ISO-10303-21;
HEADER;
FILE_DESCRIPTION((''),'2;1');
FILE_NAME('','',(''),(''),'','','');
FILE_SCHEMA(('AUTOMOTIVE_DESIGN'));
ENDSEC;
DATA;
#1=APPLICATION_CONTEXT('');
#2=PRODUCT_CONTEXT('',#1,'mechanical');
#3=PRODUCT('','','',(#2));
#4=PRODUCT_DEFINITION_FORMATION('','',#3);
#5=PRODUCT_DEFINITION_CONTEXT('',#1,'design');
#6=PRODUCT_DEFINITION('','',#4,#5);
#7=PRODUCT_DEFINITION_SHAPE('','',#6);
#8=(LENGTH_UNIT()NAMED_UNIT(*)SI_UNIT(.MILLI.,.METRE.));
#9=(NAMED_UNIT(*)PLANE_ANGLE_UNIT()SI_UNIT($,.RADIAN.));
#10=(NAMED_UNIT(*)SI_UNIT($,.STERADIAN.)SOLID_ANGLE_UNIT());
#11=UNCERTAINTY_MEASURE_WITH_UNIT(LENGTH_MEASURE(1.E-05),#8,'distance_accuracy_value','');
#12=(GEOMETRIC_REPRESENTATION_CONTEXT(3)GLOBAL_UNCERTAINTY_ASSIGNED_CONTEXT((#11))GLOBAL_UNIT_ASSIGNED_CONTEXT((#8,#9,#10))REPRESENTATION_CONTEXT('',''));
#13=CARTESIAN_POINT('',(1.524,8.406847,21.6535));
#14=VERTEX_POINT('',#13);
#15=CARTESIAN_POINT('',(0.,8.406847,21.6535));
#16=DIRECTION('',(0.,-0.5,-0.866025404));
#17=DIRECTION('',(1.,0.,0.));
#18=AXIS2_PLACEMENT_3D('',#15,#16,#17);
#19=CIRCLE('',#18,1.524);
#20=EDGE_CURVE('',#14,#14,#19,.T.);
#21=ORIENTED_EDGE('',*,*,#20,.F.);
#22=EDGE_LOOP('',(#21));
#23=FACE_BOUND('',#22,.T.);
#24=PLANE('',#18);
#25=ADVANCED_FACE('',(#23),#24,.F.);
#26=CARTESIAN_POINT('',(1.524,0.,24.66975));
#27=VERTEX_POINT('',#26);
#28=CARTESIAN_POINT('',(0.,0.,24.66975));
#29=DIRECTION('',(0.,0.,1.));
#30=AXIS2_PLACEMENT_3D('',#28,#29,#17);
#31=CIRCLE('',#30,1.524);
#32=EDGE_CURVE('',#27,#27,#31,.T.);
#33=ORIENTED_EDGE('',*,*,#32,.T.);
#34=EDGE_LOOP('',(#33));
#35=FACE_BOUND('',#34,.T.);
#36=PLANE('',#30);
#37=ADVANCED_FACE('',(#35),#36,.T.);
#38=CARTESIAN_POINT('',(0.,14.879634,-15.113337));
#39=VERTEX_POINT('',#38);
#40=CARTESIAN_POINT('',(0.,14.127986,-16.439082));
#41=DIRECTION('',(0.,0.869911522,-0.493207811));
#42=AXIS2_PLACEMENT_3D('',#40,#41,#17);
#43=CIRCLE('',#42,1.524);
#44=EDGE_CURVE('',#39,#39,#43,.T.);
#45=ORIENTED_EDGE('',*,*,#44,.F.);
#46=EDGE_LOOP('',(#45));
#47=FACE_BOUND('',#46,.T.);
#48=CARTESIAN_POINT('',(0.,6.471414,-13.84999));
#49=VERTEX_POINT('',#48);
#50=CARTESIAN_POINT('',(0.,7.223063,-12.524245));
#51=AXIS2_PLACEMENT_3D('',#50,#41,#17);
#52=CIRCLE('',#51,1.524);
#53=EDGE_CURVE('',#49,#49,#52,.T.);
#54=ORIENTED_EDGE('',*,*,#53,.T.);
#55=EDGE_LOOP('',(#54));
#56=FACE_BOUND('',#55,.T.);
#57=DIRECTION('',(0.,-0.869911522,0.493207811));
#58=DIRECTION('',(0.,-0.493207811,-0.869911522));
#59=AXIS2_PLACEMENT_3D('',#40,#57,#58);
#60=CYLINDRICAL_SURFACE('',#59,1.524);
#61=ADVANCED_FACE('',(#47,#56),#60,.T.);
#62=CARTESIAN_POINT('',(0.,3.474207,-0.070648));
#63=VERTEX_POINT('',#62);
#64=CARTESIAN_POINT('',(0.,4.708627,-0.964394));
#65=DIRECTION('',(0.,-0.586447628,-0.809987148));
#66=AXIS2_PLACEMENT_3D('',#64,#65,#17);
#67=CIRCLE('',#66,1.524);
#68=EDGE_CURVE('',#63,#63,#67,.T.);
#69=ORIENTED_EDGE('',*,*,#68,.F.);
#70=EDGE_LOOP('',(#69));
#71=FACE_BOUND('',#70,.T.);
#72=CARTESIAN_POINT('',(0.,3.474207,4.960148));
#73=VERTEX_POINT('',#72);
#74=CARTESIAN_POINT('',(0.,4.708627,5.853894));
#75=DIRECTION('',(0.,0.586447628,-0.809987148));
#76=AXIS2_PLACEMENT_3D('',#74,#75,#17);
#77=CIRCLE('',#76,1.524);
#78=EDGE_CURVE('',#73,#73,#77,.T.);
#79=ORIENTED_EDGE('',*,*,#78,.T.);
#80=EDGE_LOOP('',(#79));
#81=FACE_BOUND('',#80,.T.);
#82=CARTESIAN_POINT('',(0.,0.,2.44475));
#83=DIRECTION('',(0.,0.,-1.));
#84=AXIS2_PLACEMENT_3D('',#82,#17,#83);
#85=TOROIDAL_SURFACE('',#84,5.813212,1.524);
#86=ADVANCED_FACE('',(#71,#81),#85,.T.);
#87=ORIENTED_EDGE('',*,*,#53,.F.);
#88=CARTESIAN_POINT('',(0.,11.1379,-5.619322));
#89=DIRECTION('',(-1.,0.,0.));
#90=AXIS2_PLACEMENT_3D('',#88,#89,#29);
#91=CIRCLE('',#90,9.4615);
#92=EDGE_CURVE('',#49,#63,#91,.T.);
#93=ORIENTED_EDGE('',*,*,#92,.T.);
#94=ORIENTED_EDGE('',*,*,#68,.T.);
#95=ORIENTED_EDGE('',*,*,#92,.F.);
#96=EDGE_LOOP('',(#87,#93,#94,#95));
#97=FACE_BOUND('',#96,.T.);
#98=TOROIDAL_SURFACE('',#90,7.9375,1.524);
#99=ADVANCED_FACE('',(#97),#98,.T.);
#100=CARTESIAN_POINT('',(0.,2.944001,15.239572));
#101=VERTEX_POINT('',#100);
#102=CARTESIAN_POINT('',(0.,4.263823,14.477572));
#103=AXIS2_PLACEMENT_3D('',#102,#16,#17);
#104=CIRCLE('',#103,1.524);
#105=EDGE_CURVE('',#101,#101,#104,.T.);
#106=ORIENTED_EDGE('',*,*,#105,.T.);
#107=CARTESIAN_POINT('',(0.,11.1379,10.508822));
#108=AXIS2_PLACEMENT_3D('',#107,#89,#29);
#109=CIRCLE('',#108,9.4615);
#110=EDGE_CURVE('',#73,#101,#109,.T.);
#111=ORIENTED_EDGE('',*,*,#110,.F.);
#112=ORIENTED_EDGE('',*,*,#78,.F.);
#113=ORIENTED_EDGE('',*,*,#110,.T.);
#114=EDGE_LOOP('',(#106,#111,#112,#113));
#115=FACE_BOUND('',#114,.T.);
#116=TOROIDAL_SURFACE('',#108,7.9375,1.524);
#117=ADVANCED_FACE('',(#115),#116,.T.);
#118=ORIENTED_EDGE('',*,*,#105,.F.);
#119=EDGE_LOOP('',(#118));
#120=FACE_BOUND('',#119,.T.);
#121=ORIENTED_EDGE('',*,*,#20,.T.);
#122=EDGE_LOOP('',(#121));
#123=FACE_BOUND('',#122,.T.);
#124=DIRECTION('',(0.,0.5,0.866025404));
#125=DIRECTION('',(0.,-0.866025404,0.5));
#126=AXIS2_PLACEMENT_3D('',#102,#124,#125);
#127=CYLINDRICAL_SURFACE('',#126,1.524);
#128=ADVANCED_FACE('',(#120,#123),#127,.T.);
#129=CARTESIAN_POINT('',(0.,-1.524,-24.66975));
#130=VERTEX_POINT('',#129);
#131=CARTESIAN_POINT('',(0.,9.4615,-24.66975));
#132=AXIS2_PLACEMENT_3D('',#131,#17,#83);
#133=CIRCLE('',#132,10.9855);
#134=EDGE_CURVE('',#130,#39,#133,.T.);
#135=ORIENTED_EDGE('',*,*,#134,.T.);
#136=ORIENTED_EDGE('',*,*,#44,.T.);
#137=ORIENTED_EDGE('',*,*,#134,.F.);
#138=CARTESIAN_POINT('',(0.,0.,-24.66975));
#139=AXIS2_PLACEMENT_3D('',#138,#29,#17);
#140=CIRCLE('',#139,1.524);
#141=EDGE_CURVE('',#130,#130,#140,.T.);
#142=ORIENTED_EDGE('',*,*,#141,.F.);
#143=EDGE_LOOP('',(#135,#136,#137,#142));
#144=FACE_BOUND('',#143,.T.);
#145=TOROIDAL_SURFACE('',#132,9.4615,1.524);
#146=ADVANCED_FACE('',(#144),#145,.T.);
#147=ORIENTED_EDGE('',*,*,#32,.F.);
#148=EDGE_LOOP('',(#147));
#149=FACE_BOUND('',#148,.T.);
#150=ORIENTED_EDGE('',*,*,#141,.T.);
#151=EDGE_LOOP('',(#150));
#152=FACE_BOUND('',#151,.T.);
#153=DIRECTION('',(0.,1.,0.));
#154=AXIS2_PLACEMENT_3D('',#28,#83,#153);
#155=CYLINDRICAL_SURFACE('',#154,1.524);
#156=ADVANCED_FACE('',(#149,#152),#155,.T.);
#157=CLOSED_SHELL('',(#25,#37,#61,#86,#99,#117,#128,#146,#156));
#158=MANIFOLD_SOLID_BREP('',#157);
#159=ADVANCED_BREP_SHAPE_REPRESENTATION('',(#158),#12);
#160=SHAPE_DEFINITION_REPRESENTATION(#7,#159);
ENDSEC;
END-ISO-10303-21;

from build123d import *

# Parameters (mm, degrees)
SKETCH2_R = 1.524


with BuildPart() as part:
    # Sweep1: sweep along a path in Sketch3
    with BuildLine(Plane(origin=(0, 0, 0), x_dir=(0, 0, -1), z_dir=(1, 0, 0))) as sweep1_path:
        Line((-21.6535, 8.406847067), (-14.477572438, 4.263823357))
        ThreePointArc((-14.477572438, 4.263823357), (-10.099954916, 3.210937555), (-5.853894392, 4.708627014))
        ThreePointArc((-5.853894392, 4.708627014), (-2.44475, 5.813212007), (0.964394392, 4.708627014))
        ThreePointArc((0.964394392, 4.708627014), (7.306395665, 3.381761129), (12.52424514, 7.223063001))
        Line((12.52424514, 7.223063001), (16.439082139, 14.127985703))
        ThreePointArc((16.439082139, 14.127985703), (32.845076805, 14.22427376), (24.66975, 0))
        Line((24.66975, 0), (-24.66975, 0))
    # Sketch2 → Sweep1 (sweep)
    with BuildSketch(Plane.XY.offset(24.66975)):
        Circle(SKETCH2_R)
    sweep(path=sweep1_path.line)


solid = part.part
